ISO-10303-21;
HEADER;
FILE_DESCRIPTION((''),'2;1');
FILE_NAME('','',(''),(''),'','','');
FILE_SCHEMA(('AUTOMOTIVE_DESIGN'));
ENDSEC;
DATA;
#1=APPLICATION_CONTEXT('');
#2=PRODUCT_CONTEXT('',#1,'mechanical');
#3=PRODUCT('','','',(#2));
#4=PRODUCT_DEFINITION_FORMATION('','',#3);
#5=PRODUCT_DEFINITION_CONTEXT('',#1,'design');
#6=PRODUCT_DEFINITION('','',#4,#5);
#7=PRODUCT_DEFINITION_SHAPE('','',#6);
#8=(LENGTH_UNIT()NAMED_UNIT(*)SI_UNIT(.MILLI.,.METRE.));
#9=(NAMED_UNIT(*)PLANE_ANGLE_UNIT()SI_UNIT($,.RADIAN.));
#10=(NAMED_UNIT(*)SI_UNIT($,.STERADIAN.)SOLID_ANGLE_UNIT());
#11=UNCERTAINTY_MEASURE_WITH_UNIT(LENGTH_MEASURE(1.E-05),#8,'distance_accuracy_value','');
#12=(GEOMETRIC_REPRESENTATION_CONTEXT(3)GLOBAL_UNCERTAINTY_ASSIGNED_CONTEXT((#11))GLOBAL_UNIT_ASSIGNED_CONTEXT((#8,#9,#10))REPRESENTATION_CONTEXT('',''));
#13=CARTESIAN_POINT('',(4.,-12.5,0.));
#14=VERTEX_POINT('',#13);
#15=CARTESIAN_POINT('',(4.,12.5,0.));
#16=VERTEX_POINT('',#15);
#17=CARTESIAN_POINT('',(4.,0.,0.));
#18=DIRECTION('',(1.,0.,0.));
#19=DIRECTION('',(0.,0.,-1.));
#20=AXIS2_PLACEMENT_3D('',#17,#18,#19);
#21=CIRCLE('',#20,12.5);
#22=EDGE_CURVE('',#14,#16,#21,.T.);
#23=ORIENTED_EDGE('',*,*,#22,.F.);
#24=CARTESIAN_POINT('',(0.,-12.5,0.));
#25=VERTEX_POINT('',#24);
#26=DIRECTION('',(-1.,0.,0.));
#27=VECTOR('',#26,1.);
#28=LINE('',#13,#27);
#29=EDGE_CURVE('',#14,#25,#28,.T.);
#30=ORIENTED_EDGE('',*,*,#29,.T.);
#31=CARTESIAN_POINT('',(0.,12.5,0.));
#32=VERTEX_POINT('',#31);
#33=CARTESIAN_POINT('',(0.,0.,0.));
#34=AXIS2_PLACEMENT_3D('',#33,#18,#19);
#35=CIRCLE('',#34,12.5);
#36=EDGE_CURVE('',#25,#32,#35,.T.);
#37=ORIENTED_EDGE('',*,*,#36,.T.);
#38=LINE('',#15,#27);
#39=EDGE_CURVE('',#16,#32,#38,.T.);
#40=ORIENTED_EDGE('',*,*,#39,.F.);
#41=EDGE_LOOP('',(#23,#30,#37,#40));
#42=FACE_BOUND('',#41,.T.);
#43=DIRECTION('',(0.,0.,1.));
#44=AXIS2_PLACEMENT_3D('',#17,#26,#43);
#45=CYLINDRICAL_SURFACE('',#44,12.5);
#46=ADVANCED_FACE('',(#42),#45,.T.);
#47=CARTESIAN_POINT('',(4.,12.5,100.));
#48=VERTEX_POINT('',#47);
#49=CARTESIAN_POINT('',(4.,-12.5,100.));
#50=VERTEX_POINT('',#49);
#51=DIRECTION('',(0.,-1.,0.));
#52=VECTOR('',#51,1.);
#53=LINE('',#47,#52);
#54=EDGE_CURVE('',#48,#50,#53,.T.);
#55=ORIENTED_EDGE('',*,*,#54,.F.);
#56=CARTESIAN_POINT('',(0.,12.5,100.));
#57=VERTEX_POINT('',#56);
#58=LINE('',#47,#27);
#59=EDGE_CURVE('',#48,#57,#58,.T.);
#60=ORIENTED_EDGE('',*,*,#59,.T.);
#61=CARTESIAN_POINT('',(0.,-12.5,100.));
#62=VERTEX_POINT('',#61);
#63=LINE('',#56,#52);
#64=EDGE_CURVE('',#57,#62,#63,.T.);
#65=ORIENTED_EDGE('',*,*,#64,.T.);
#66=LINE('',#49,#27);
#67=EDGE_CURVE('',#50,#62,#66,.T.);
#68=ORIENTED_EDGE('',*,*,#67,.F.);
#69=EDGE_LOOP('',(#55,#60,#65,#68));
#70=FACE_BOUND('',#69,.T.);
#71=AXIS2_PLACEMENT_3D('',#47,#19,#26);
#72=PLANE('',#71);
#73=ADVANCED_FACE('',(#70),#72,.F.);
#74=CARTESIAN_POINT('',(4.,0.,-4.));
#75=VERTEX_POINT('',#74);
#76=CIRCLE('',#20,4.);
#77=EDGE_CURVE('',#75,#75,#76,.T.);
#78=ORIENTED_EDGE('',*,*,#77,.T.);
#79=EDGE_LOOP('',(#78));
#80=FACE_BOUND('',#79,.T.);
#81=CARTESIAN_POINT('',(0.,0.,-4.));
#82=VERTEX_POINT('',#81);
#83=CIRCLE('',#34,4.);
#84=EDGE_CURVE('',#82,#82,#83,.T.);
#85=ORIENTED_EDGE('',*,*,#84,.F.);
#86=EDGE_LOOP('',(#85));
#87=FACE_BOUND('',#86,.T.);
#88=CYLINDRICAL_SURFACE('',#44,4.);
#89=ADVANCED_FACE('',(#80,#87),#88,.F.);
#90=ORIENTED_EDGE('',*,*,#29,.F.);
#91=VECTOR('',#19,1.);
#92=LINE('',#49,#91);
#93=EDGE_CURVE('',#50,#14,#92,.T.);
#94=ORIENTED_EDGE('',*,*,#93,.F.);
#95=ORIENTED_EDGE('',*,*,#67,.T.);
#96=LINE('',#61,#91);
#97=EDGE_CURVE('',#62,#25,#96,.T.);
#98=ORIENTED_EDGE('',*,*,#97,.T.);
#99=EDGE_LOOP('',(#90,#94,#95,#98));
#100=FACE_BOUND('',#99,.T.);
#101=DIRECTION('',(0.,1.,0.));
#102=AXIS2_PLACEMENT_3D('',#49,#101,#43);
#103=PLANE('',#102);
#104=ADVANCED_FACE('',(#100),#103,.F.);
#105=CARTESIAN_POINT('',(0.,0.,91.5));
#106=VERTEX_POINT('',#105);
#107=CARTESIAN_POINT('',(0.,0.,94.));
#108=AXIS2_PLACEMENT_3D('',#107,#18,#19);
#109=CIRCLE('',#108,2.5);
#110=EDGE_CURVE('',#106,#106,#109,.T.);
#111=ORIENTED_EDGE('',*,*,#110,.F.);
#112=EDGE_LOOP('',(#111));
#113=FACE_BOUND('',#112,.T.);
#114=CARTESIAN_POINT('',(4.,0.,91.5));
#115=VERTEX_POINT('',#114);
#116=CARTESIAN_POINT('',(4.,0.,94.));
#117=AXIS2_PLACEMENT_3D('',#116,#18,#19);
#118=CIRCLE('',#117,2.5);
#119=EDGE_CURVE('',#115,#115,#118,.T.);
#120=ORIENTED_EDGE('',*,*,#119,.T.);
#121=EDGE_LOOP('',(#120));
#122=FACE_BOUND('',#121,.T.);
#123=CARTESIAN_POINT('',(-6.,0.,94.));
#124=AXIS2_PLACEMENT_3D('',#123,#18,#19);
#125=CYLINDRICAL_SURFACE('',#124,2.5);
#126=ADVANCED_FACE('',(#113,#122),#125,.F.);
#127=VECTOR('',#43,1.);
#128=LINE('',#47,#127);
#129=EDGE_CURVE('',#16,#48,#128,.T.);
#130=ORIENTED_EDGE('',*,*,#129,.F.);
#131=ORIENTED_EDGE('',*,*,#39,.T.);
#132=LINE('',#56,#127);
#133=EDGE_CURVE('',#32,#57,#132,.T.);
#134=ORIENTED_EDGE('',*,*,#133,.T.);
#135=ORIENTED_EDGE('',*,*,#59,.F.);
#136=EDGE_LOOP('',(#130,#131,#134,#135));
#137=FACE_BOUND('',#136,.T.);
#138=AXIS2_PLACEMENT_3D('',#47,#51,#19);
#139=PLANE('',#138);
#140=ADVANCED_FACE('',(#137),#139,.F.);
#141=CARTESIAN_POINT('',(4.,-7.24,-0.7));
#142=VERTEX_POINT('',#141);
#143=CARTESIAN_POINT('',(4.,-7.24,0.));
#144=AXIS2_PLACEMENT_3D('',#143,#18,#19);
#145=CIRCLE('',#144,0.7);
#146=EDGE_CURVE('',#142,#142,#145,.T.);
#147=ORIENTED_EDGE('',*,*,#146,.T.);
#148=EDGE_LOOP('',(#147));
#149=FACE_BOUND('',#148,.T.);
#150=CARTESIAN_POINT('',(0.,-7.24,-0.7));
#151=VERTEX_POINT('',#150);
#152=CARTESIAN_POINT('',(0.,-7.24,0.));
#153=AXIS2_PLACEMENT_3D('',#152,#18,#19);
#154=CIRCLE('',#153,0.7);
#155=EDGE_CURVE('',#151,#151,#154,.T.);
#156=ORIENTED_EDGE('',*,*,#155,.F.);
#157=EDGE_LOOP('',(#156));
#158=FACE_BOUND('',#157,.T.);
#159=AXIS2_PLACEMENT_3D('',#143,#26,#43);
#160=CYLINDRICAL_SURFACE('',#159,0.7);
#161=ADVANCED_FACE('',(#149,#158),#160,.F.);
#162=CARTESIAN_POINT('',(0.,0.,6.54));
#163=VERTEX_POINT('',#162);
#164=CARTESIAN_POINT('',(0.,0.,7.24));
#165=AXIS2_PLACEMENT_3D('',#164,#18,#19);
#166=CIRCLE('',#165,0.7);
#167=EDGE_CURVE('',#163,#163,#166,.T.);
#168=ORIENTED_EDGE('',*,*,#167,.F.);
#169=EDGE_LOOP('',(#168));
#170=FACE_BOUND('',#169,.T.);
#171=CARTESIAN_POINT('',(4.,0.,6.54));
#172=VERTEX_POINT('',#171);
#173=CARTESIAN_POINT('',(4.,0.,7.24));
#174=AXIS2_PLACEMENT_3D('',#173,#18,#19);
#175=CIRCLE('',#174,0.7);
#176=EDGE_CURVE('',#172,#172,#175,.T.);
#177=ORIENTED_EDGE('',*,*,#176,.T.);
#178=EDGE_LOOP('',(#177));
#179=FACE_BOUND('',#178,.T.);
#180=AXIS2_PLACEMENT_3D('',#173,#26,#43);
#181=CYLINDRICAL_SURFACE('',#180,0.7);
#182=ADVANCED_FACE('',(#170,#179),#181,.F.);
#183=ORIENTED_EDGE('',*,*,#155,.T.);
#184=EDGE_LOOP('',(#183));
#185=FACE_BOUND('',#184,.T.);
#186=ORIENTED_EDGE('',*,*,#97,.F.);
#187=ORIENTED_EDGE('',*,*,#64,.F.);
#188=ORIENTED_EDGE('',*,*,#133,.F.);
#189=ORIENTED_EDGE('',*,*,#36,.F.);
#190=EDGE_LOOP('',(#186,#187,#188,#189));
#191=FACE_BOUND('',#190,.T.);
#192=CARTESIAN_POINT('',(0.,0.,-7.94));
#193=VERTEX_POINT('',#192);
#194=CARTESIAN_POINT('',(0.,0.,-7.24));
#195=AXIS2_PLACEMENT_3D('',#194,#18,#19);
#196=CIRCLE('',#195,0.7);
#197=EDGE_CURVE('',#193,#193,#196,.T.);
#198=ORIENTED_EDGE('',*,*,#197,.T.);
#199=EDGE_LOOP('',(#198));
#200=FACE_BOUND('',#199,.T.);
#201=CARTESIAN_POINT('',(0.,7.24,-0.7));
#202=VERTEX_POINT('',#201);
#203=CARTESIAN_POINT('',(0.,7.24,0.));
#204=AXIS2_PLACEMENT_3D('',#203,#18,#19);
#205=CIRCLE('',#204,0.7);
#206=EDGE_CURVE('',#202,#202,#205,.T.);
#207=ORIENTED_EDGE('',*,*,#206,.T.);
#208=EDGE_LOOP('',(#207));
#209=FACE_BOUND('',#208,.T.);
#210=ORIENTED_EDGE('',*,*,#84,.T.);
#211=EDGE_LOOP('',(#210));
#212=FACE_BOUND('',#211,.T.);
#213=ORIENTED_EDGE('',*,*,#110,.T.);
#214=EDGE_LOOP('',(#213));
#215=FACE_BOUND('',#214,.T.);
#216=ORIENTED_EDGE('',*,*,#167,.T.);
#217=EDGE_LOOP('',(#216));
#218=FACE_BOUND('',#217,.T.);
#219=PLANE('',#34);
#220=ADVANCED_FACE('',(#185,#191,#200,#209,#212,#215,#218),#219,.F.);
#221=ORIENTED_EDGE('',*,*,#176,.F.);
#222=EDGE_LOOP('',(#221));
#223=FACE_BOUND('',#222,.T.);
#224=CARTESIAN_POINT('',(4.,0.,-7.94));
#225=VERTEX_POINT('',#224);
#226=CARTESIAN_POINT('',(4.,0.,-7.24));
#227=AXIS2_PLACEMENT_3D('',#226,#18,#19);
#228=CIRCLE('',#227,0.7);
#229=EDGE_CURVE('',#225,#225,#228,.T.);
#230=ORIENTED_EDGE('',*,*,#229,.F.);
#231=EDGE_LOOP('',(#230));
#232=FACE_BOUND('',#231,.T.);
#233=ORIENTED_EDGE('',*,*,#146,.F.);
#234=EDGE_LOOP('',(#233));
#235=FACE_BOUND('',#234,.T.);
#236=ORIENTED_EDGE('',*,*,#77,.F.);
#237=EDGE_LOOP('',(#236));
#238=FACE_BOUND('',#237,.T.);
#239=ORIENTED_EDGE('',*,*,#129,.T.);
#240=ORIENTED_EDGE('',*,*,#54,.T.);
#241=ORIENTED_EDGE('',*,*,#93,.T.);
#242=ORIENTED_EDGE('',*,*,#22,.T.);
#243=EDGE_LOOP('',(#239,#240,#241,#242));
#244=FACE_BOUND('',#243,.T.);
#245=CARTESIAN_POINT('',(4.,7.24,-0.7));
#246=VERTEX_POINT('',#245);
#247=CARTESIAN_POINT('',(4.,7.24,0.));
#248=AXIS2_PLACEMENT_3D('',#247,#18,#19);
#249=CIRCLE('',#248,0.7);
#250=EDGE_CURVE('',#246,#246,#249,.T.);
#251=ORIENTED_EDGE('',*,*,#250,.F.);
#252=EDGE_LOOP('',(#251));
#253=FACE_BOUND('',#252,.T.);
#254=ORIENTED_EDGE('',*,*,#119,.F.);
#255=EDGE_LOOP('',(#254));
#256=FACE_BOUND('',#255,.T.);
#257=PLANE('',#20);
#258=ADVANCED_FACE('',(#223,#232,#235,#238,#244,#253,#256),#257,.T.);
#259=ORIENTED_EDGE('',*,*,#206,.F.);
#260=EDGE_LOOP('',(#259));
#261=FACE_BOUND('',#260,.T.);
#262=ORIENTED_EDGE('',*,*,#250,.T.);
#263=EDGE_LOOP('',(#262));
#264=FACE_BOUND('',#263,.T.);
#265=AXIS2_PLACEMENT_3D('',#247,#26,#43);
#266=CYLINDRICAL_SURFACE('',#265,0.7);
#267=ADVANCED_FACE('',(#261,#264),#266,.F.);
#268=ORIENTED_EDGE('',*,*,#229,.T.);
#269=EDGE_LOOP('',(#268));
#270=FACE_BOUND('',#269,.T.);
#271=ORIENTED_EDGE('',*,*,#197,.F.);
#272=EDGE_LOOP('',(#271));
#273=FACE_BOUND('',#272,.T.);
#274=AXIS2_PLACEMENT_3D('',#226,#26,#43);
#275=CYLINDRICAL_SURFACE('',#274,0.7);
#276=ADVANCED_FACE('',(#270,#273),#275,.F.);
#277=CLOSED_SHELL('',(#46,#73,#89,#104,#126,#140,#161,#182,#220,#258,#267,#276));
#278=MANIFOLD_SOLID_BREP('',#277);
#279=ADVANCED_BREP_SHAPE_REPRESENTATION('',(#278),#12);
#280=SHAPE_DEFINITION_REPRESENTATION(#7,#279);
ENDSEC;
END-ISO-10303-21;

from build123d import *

# Parameters (mm, degrees)
SKETCH1_R           = 4
SKETCH1_R_2         = 0.7
BOSS_EXTRUDE1_DEPTH = 4
SKETCH3_R           = 2.5
CUT_EXTRUDE1_DEPTH  = 10


with BuildPart() as part:
    # Sketch1 → Boss-Extrude1 (new body)
    with BuildSketch(Plane(origin=(0, 0, 0), x_dir=(0, 0, -1), z_dir=(1, 0, 0))):
        with BuildLine():
            Line((-100, 12.5), (-100, -12.5))
            Line((-100, -12.5), (0, -12.5))
            ThreePointArc((0, -12.5), (12.5, 0), (0, 12.5))
            Line((0, 12.5), (-100, 12.5))
        make_face()
        Circle(SKETCH1_R, mode=Mode.SUBTRACT)
        with Locations((-7.24, 0)):
            Circle(SKETCH1_R_2, mode=Mode.SUBTRACT)
        with Locations((0, 7.24)):
            Circle(SKETCH1_R_2, mode=Mode.SUBTRACT)
        with Locations((7.24, 0)):
            Circle(SKETCH1_R_2, mode=Mode.SUBTRACT)
        with Locations((0, -7.24)):
            Circle(SKETCH1_R_2, mode=Mode.SUBTRACT)
    extrude(amount=BOSS_EXTRUDE1_DEPTH)

    # Sketch3 → Cut-Extrude1 (cut)
    with BuildSketch(Plane(origin=(4, 0, 0), x_dir=(0, 0, -1), z_dir=(1, 0, 0))):
        with Locations((-94, 0)):
            Circle(SKETCH3_R)
    extrude(amount=-CUT_EXTRUDE1_DEPTH, mode=Mode.SUBTRACT)


solid = part.part
